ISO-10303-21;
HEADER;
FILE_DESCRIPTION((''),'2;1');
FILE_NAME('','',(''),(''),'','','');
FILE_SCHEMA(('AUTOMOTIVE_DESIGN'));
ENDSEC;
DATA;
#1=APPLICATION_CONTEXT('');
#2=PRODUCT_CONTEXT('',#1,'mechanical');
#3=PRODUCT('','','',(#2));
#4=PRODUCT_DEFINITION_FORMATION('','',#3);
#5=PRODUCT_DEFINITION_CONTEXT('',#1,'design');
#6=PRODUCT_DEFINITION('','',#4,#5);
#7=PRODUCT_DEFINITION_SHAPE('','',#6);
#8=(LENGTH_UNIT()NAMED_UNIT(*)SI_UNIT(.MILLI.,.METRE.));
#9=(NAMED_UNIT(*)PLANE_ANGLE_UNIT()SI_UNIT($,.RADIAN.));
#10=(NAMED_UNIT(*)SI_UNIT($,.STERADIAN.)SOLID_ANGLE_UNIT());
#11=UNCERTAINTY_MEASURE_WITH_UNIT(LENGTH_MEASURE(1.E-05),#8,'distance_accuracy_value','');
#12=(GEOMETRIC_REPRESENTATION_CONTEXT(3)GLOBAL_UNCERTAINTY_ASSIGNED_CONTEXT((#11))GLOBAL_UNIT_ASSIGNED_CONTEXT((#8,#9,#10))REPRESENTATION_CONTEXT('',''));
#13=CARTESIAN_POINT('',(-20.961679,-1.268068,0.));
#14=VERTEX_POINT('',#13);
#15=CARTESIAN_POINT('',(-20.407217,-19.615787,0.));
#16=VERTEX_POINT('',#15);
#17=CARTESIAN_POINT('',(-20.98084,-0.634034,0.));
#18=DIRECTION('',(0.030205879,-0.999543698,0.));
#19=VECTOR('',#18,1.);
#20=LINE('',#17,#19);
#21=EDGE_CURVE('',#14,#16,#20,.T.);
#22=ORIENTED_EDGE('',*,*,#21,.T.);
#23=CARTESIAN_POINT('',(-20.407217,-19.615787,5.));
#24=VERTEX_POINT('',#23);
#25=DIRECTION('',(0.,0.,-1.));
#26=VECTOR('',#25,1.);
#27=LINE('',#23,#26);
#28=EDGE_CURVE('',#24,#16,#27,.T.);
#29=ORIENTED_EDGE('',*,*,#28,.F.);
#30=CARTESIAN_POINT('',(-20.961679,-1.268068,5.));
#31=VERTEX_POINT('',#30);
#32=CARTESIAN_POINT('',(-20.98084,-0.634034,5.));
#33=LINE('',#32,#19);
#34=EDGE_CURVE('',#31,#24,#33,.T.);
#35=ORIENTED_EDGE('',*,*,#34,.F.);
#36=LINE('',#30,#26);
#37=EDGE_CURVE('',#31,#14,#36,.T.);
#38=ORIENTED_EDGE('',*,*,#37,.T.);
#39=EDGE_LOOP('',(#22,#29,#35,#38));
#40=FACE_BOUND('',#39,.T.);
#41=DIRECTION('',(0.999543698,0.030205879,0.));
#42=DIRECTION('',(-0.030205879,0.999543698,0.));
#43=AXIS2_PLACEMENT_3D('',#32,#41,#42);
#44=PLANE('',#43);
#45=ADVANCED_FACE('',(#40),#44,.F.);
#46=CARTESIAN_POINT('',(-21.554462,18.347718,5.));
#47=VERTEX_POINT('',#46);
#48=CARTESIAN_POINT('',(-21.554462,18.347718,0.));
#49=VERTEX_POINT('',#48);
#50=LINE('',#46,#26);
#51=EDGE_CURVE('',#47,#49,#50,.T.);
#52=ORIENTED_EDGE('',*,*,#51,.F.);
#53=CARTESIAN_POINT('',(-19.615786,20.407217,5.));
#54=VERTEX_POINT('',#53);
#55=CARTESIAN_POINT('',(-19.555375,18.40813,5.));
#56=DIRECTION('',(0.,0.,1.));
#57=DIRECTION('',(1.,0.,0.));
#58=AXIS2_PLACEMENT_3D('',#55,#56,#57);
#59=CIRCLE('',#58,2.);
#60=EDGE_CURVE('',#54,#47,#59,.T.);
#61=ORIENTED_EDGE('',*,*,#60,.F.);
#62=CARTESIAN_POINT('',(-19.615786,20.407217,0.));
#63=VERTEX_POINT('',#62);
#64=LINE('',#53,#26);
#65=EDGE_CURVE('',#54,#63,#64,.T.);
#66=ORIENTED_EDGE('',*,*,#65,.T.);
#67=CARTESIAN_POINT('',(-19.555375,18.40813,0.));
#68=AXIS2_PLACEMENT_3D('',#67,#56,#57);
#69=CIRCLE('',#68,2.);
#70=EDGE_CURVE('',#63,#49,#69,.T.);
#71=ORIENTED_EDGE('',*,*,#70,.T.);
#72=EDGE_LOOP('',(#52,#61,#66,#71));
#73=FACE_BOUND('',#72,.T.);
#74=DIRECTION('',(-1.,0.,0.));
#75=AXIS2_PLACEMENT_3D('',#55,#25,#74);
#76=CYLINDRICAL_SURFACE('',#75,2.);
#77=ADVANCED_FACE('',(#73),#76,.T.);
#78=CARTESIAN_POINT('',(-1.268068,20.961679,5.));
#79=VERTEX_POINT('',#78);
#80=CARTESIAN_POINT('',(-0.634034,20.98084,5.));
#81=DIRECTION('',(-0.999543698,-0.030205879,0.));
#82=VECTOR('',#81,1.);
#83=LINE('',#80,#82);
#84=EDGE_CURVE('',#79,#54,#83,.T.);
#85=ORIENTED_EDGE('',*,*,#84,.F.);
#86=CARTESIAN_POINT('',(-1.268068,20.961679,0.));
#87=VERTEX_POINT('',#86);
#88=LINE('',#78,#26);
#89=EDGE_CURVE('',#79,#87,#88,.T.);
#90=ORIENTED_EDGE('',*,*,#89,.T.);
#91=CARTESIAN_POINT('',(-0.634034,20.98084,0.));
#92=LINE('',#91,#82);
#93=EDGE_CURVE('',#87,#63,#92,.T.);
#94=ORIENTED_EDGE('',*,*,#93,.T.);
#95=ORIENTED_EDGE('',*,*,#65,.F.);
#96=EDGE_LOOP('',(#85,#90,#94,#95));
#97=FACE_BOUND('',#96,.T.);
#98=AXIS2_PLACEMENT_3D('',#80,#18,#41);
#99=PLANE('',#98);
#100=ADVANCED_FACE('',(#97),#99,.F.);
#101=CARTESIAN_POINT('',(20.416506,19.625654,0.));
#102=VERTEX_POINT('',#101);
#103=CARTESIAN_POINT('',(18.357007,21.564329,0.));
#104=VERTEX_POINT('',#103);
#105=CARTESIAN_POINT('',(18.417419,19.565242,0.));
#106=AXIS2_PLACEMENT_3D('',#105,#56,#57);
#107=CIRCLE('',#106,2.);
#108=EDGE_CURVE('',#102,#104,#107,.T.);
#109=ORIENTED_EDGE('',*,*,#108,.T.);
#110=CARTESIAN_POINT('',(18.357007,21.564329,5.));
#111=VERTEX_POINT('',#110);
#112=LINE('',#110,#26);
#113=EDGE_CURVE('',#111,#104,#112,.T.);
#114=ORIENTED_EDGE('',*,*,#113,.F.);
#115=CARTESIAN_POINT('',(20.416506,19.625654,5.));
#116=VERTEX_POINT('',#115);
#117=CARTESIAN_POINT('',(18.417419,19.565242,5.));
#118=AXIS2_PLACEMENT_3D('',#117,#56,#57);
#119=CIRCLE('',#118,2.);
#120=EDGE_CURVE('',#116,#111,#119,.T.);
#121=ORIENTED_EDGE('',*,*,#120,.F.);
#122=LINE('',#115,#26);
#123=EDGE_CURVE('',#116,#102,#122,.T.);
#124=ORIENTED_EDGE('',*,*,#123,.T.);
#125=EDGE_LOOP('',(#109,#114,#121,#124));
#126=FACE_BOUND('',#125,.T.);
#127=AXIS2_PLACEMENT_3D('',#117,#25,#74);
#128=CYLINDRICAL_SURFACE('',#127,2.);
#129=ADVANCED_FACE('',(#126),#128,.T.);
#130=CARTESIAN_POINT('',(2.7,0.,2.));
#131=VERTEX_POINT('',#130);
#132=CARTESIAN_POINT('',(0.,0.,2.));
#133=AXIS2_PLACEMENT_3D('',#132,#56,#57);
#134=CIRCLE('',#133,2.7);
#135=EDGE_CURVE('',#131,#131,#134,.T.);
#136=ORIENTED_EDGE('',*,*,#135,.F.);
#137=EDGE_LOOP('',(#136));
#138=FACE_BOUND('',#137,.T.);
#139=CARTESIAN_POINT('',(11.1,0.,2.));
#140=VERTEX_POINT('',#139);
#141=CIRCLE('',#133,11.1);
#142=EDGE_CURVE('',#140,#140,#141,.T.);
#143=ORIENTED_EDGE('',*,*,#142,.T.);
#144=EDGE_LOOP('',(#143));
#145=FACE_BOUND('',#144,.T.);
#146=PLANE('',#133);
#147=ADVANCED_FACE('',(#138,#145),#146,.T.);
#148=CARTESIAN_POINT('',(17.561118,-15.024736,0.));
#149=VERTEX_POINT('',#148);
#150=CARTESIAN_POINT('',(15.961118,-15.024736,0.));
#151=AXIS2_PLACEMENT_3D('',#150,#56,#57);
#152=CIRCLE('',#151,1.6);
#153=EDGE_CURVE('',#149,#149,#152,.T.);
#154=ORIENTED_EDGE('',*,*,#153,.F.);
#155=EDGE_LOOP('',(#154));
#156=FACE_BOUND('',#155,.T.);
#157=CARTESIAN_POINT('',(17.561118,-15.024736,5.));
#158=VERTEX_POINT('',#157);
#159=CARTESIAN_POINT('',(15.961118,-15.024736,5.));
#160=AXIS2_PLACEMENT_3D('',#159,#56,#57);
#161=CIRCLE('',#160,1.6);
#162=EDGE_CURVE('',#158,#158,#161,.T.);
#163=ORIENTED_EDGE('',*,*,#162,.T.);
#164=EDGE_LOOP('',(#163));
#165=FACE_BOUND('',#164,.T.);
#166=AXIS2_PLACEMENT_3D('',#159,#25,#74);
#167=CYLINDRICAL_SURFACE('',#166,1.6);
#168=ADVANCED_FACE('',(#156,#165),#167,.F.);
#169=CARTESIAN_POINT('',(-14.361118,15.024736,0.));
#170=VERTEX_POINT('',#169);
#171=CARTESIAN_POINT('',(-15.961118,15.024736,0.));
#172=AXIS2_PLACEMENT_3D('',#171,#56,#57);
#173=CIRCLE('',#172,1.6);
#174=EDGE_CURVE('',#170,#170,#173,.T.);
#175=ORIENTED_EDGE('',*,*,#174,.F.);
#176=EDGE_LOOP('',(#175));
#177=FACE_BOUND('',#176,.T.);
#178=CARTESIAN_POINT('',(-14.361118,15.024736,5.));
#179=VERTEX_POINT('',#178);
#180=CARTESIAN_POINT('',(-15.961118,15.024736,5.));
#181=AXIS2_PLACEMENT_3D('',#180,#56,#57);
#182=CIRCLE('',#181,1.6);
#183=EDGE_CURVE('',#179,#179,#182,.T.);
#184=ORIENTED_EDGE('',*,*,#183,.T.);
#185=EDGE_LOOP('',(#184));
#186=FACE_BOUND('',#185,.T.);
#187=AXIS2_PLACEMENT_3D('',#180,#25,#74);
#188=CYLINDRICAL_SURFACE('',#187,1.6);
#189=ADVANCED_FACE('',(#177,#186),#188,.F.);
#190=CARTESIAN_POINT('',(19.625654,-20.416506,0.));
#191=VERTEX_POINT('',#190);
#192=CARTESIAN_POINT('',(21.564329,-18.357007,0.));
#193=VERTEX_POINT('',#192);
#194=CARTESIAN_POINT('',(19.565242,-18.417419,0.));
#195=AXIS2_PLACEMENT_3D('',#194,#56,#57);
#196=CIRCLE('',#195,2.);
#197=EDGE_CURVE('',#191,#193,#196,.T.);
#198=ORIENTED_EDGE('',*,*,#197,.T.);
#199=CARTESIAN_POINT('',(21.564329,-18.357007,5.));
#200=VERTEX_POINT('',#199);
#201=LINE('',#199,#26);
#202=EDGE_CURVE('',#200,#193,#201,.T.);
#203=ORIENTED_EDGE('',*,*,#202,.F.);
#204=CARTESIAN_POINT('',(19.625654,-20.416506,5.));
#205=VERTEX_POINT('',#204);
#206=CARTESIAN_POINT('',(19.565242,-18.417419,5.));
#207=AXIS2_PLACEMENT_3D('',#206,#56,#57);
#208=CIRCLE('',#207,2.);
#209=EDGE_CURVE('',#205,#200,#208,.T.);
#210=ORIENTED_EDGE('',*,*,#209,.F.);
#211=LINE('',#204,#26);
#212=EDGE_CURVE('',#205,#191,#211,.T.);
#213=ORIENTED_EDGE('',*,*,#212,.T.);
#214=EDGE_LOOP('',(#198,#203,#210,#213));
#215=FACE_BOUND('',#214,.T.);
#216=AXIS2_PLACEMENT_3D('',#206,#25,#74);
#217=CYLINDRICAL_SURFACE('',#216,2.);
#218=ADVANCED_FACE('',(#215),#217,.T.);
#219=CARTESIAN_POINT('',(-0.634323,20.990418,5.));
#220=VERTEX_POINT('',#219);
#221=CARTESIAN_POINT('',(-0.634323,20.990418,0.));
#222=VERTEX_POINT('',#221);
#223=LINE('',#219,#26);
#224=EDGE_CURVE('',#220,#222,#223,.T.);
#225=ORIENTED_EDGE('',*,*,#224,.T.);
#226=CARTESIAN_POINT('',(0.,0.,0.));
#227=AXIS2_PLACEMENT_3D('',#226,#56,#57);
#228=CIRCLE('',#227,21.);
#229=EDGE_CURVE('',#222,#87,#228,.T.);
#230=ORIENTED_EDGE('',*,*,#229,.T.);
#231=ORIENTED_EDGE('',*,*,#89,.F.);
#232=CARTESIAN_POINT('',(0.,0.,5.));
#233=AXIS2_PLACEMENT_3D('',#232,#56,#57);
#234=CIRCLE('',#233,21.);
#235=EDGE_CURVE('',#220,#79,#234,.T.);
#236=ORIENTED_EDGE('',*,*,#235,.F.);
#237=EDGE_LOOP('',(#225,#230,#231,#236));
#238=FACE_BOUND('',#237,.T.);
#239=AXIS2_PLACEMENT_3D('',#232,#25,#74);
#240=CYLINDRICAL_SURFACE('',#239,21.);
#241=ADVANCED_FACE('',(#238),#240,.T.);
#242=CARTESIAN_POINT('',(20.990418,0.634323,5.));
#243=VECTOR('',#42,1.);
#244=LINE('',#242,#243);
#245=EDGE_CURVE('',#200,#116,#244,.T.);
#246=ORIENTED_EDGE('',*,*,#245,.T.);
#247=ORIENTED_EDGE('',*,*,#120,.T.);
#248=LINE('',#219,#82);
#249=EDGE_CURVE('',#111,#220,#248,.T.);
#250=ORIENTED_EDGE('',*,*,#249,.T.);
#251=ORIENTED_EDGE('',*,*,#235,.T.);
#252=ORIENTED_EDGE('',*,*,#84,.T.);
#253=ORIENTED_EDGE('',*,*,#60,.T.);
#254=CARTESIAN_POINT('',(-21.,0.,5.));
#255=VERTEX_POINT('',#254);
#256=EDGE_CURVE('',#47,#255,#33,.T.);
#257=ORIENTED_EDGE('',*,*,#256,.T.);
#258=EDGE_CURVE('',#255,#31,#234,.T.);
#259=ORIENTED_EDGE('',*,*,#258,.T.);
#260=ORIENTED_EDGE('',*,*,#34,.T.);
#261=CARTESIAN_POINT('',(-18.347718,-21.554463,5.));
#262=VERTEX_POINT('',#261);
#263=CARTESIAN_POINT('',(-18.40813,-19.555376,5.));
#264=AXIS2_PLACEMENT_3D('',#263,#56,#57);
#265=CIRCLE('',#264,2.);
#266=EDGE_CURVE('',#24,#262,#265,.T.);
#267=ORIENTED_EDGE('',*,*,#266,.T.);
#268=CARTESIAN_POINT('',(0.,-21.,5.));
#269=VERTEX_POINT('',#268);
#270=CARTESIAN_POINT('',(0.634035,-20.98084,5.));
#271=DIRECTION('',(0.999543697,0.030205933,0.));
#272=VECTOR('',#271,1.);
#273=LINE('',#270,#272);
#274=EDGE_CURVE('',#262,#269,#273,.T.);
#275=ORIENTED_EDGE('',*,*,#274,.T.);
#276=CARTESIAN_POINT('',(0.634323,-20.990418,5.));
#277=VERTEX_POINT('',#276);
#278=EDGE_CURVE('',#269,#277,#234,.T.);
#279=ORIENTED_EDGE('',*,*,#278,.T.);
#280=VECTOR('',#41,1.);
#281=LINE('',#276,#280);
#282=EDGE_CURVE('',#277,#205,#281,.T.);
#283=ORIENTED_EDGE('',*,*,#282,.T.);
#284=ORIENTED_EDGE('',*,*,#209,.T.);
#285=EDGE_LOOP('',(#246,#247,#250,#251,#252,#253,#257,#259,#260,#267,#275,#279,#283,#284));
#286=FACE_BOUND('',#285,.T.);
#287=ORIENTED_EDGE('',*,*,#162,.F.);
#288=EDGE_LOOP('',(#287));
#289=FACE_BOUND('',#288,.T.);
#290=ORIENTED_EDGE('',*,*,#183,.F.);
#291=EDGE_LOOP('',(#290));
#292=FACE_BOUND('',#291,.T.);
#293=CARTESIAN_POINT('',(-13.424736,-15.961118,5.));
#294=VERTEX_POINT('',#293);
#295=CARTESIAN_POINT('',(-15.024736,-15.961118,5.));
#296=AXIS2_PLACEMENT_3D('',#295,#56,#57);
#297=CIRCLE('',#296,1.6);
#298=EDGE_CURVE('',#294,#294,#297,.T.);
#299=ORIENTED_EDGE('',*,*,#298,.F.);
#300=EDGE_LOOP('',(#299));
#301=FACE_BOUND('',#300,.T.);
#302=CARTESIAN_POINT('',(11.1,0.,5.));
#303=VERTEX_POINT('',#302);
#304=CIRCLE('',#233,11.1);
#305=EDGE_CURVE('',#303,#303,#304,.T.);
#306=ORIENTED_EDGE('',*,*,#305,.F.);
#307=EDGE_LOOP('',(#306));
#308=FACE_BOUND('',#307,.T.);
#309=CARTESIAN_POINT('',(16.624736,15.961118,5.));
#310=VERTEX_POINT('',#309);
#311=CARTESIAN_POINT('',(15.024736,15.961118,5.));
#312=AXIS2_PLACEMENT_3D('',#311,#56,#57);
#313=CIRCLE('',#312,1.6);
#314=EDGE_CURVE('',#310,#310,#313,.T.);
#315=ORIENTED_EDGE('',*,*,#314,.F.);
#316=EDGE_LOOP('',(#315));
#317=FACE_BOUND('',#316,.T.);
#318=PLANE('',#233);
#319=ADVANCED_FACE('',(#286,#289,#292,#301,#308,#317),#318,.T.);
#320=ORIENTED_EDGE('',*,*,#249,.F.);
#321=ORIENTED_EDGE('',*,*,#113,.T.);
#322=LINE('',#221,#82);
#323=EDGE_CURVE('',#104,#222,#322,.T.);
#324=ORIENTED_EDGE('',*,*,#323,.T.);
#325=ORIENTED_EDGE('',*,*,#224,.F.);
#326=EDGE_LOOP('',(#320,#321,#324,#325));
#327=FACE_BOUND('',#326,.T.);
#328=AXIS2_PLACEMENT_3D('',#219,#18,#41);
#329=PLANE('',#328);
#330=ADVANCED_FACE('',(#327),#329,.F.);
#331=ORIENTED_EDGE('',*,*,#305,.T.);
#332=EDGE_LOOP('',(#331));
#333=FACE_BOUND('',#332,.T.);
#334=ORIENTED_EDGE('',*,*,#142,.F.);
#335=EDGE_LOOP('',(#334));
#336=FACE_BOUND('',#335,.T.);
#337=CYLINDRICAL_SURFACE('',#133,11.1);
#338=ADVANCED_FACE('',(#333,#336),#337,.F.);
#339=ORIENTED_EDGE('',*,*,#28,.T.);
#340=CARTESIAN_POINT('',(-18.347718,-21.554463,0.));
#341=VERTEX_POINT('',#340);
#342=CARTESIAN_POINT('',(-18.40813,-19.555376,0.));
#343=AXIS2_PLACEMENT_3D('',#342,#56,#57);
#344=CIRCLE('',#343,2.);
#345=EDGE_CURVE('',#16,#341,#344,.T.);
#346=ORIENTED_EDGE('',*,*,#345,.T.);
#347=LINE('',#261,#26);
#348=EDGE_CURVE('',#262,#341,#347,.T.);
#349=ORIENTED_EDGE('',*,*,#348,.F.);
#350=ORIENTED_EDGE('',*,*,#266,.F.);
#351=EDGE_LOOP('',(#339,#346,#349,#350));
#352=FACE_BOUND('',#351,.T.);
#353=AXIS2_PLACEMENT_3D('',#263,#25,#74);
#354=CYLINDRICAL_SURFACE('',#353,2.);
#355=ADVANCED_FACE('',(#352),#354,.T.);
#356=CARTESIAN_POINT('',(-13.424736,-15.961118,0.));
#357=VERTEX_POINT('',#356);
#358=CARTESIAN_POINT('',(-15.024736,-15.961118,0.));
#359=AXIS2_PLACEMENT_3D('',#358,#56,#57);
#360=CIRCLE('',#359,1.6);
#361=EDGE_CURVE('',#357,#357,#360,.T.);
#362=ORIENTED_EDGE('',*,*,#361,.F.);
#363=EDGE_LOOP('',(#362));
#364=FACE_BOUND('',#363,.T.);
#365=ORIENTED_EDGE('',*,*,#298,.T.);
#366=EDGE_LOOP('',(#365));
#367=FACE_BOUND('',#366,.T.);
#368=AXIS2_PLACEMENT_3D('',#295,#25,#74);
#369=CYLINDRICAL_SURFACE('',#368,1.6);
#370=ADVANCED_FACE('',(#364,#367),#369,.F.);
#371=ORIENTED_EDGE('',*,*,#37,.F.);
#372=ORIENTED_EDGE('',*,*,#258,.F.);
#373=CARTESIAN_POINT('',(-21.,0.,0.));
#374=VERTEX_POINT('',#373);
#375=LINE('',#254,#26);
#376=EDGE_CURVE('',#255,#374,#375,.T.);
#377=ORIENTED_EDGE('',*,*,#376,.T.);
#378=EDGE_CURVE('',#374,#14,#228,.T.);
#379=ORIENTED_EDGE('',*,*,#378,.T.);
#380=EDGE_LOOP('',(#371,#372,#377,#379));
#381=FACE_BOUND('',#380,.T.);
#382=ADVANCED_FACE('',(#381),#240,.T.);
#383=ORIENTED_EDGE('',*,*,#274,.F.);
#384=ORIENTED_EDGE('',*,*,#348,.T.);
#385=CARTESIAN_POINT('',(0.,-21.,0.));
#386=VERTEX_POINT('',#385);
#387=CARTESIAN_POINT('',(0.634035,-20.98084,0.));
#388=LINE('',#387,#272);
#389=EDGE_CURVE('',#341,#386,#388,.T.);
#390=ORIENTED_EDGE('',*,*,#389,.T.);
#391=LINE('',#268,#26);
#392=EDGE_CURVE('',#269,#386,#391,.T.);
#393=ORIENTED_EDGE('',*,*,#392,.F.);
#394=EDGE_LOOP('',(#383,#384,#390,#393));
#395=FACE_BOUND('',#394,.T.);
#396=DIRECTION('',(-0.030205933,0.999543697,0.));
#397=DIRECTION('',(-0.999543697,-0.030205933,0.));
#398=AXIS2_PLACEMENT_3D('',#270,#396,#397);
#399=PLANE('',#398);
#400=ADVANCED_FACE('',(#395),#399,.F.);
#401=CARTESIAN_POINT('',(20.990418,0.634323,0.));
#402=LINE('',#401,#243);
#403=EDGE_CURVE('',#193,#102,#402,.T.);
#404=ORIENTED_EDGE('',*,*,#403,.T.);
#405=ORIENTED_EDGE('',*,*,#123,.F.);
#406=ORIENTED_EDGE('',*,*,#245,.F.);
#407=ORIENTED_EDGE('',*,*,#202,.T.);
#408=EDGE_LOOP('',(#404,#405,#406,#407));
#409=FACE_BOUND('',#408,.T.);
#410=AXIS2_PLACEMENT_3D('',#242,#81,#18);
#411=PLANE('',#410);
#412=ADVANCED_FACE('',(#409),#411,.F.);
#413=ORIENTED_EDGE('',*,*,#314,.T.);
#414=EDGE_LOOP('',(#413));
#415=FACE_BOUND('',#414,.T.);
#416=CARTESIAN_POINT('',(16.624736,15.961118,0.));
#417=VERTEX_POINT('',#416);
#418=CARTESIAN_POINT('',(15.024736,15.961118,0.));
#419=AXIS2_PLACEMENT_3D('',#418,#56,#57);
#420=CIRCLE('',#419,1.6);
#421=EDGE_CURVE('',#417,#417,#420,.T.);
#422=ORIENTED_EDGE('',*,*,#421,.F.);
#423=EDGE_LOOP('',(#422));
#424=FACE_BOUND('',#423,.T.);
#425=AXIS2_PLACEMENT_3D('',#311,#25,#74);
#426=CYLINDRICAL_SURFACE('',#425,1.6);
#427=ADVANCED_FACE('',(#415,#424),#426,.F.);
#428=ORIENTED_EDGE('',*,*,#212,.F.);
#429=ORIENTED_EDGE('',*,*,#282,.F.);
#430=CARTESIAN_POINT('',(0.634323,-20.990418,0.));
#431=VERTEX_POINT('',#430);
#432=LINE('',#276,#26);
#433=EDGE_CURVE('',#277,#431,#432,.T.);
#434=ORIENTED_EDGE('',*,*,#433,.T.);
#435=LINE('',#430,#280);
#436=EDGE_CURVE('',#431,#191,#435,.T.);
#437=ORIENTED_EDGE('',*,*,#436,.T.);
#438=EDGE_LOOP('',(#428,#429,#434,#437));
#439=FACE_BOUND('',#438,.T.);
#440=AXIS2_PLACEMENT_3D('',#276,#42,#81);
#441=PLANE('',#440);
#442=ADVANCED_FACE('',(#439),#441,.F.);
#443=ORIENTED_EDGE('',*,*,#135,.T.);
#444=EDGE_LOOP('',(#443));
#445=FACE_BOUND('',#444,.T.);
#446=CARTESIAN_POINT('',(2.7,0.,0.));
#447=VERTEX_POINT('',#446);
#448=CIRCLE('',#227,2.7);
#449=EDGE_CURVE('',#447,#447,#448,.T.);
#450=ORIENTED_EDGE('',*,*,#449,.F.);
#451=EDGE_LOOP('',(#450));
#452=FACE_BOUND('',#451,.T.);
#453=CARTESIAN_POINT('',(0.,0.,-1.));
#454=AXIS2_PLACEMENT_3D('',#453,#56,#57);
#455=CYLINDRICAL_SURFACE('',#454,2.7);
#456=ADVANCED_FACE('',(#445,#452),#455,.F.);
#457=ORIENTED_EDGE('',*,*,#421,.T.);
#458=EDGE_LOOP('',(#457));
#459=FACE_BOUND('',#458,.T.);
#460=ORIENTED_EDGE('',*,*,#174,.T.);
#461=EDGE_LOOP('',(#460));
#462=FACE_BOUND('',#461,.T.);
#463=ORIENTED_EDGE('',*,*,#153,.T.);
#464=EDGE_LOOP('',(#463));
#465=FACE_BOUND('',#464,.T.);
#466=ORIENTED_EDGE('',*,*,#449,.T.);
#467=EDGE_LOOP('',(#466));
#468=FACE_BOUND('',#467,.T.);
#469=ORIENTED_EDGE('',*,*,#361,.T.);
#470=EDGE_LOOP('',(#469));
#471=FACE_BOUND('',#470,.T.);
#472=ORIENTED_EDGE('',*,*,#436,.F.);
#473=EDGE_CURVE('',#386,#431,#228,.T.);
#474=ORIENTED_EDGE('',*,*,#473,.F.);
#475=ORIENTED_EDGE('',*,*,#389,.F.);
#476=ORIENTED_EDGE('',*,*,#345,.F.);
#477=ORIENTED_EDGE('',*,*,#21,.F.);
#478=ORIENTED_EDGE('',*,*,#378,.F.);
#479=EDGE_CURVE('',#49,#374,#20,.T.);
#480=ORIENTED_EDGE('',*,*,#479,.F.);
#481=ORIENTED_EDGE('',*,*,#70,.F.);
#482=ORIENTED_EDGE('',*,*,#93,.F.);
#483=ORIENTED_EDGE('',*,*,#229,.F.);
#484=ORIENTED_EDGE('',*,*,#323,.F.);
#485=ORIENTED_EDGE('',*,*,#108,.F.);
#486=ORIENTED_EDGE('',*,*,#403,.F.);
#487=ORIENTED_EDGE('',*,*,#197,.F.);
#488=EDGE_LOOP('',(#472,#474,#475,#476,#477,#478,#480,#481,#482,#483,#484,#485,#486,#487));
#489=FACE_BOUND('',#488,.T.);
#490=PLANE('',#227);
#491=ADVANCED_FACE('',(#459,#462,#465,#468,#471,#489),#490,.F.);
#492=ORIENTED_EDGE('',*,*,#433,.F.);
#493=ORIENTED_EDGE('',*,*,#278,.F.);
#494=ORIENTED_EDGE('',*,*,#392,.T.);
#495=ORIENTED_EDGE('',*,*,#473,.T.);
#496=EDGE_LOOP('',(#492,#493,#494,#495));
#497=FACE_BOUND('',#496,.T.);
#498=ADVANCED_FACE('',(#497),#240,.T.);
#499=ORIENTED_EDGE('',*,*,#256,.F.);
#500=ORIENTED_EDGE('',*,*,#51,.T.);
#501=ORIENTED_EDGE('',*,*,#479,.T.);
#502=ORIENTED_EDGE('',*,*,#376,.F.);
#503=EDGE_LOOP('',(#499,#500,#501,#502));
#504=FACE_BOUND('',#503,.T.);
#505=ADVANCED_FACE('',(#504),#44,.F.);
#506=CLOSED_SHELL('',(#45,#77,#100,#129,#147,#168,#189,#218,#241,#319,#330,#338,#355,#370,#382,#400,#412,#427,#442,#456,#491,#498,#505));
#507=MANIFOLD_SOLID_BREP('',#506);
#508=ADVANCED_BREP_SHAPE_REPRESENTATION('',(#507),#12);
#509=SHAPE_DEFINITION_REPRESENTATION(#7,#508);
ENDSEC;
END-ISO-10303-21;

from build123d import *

# Parameters (mm, degrees)
SKETCH1_R           = 1.6
BOSS_EXTRUDE1_DEPTH = 5
SKETCH3_R           = 11.1
CUT_EXTRUDE1_DEPTH  = 3
SKETCH4_R           = 2.7
CUT_EXTRUDE2_DEPTH  = 3


with BuildPart() as part:
    # Sketch1 → Boss-Extrude1 (new body)
    with BuildSketch(Plane.XY):
        with BuildLine():
            Line((18.357006817, 21.564329359), (-0.634323451, 20.990417665))
            ThreePointArc((-0.634323451, 20.990417665), (-0.95130426, 20.978441796), (-1.268068016, 20.961679406))
            Line((-1.268068016, 20.961679406), (-19.615786314, 20.407217452))
            ThreePointArc((-19.615786314, 20.407217452), (-21.011660375, 19.778980746), (-21.554461954, 18.347718298))
            Line((-21.554461954, 18.347718298), (-21, 0))
            ThreePointArc((-21, 0), (-20.990417665, -0.634323451), (-20.961679406, -1.268068016))
            Line((-20.961679406, -1.268068016), (-20.407217422, -19.615787304))
            ThreePointArc((-20.407217422, -19.615787304), (-19.778980677, -21.011661401), (-18.34771816, -21.55446294))
            Line((-18.34771816, -21.55446294), (0, -21))
            ThreePointArc((0, -21), (0.317197912, -20.99760428), (0.634323451, -20.990417665))
            Line((0.634323451, -20.990417665), (19.62565372, -20.416505971))
            ThreePointArc((19.62565372, -20.416505971), (21.02152778, -19.788269266), (21.564329359, -18.357006817))
            Line((21.564329359, -18.357006817), (20.416505971, 19.62565372))
            ThreePointArc((20.416505971, 19.62565372), (19.788269266, 21.02152778), (18.357006817, 21.564329359))
        make_face()
        with Locations((15.024736206, 15.961118443)):
            Circle(SKETCH1_R, mode=Mode.SUBTRACT)
        with Locations((15.961118443, -15.024736206)):
            Circle(SKETCH1_R, mode=Mode.SUBTRACT)
        with Locations((-15.024736206, -15.961118443)):
            Circle(SKETCH1_R, mode=Mode.SUBTRACT)
        with Locations((-15.961118443, 15.024736206)):
            Circle(SKETCH1_R, mode=Mode.SUBTRACT)
    extrude(amount=BOSS_EXTRUDE1_DEPTH)

    # Sketch3 → Cut-Extrude1 (cut)
    with BuildSketch(Plane.XY.offset(5)):
        Circle(SKETCH3_R)
    extrude(amount=-CUT_EXTRUDE1_DEPTH, mode=Mode.SUBTRACT)

    # Sketch4 → Cut-Extrude2 (cut)
    with BuildSketch(Plane.XY.offset(2)):
        Circle(SKETCH4_R)
    extrude(amount=-CUT_EXTRUDE2_DEPTH, mode=Mode.SUBTRACT)


solid = part.part
